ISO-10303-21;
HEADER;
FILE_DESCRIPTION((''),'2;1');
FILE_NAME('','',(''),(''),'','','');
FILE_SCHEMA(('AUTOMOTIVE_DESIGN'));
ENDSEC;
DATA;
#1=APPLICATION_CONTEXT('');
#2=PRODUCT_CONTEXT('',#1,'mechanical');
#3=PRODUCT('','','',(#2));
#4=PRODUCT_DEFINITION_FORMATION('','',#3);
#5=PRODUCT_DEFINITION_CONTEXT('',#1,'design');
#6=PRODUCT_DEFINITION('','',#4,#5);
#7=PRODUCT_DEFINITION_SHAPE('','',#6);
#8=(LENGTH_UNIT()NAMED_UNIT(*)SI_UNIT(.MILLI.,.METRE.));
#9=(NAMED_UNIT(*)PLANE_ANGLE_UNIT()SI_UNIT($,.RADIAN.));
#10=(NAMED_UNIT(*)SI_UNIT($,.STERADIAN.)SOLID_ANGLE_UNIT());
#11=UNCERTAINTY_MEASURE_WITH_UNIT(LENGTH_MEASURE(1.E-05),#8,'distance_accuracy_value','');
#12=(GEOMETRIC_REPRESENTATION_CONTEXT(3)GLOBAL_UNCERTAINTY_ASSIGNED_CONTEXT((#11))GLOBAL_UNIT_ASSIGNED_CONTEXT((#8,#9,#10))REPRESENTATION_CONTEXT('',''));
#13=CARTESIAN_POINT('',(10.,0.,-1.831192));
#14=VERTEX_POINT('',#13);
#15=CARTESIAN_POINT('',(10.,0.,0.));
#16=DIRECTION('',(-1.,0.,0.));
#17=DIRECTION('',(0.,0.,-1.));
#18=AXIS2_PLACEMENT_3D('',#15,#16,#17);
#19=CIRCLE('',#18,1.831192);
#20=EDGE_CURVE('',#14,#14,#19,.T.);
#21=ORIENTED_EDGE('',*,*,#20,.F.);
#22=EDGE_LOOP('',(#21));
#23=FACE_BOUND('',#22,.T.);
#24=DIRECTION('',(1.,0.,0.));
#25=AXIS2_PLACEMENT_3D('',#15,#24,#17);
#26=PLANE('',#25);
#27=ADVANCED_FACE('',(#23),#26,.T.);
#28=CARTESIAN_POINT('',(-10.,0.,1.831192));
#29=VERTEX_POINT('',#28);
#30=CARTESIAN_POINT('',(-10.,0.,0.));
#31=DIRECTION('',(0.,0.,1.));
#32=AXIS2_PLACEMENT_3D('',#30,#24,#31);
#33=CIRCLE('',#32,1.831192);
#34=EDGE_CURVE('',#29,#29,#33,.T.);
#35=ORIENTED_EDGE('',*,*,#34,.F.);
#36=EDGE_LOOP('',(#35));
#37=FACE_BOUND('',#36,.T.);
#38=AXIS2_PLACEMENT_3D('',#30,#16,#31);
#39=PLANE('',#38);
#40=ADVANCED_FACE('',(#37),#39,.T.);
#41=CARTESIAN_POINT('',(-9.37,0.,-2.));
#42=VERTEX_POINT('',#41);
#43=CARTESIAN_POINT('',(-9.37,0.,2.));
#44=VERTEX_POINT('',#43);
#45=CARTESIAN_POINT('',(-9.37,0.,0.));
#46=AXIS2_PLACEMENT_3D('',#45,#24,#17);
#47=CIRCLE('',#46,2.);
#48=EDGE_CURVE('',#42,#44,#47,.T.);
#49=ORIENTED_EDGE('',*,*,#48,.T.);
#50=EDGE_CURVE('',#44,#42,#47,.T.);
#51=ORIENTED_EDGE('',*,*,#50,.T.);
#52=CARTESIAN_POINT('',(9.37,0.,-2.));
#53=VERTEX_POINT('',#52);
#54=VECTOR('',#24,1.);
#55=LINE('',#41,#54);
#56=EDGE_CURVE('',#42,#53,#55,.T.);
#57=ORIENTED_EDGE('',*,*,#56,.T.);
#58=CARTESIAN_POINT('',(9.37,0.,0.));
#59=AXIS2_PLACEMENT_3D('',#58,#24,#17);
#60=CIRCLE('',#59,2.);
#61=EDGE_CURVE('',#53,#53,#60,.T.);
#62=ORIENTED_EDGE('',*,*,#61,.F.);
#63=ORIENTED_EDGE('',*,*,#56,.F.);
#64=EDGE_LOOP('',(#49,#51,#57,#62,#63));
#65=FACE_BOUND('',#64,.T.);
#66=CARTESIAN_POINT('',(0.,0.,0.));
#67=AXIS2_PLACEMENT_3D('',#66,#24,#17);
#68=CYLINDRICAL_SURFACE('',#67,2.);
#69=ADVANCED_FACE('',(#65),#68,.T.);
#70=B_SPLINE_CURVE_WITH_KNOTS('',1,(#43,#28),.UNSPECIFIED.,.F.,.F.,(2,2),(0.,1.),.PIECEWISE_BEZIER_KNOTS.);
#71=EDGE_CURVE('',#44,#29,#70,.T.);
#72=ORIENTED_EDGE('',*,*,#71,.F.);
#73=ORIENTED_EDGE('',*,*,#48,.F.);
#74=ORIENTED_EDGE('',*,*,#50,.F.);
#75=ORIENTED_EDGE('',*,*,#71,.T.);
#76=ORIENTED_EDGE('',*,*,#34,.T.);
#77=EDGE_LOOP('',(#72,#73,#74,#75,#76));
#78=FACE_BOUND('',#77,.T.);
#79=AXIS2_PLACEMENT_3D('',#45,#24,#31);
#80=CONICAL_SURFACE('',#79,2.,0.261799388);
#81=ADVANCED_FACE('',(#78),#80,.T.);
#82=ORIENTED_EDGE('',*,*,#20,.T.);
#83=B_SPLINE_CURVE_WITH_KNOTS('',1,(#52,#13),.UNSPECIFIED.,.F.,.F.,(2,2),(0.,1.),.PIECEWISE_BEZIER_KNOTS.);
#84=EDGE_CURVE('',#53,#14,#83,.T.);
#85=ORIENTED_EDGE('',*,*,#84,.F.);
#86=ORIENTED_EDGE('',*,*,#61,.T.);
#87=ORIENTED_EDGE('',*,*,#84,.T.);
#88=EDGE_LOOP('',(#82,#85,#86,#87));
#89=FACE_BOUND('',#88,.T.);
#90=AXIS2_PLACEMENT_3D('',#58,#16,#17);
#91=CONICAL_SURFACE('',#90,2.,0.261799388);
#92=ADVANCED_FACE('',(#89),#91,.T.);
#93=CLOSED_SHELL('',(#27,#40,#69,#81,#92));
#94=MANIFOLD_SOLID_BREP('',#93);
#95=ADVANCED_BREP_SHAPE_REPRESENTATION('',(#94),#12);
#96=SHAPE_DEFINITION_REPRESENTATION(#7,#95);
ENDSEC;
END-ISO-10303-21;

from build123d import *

# Parameters (mm, degrees)
SKETCH2_R           = 2
EXTRUDE1_DEPTH      = 9.37
EXTRUDE1_DEPTH_BACK = 9.37
SKETCH3_R           = 2
EXTRUDE2_DEPTH      = 0.63
EXTRUDE2_TAPER      = 15
SKETCH4_R           = 2
EXTRUDE3_DEPTH      = 0.63
EXTRUDE3_TAPER      = 15


with BuildPart() as part:
    # Sketch2 → Extrude1 (new body, two sides)
    with BuildSketch(Plane(origin=(0, 0, 0), x_dir=(0, 0, -1), z_dir=(1, 0, 0))) as extrude1_sk:
        Circle(SKETCH2_R)
    extrude(amount=EXTRUDE1_DEPTH)
    extrude(extrude1_sk.sketch, amount=-EXTRUDE1_DEPTH_BACK)

    # Sketch3 → Extrude2 (add)
    with BuildSketch(Plane(origin=(9.37, 0, 0), x_dir=(0, 0, -1), z_dir=(1, 0, 0))):
        Circle(SKETCH3_R)
    extrude(amount=EXTRUDE2_DEPTH, taper=EXTRUDE2_TAPER)

    # Sketch4 → Extrude3 (add)
    with BuildSketch(Plane.ZY.offset(9.37)):
        Circle(SKETCH4_R)
    extrude(amount=EXTRUDE3_DEPTH, taper=EXTRUDE3_TAPER)


solid = part.part
